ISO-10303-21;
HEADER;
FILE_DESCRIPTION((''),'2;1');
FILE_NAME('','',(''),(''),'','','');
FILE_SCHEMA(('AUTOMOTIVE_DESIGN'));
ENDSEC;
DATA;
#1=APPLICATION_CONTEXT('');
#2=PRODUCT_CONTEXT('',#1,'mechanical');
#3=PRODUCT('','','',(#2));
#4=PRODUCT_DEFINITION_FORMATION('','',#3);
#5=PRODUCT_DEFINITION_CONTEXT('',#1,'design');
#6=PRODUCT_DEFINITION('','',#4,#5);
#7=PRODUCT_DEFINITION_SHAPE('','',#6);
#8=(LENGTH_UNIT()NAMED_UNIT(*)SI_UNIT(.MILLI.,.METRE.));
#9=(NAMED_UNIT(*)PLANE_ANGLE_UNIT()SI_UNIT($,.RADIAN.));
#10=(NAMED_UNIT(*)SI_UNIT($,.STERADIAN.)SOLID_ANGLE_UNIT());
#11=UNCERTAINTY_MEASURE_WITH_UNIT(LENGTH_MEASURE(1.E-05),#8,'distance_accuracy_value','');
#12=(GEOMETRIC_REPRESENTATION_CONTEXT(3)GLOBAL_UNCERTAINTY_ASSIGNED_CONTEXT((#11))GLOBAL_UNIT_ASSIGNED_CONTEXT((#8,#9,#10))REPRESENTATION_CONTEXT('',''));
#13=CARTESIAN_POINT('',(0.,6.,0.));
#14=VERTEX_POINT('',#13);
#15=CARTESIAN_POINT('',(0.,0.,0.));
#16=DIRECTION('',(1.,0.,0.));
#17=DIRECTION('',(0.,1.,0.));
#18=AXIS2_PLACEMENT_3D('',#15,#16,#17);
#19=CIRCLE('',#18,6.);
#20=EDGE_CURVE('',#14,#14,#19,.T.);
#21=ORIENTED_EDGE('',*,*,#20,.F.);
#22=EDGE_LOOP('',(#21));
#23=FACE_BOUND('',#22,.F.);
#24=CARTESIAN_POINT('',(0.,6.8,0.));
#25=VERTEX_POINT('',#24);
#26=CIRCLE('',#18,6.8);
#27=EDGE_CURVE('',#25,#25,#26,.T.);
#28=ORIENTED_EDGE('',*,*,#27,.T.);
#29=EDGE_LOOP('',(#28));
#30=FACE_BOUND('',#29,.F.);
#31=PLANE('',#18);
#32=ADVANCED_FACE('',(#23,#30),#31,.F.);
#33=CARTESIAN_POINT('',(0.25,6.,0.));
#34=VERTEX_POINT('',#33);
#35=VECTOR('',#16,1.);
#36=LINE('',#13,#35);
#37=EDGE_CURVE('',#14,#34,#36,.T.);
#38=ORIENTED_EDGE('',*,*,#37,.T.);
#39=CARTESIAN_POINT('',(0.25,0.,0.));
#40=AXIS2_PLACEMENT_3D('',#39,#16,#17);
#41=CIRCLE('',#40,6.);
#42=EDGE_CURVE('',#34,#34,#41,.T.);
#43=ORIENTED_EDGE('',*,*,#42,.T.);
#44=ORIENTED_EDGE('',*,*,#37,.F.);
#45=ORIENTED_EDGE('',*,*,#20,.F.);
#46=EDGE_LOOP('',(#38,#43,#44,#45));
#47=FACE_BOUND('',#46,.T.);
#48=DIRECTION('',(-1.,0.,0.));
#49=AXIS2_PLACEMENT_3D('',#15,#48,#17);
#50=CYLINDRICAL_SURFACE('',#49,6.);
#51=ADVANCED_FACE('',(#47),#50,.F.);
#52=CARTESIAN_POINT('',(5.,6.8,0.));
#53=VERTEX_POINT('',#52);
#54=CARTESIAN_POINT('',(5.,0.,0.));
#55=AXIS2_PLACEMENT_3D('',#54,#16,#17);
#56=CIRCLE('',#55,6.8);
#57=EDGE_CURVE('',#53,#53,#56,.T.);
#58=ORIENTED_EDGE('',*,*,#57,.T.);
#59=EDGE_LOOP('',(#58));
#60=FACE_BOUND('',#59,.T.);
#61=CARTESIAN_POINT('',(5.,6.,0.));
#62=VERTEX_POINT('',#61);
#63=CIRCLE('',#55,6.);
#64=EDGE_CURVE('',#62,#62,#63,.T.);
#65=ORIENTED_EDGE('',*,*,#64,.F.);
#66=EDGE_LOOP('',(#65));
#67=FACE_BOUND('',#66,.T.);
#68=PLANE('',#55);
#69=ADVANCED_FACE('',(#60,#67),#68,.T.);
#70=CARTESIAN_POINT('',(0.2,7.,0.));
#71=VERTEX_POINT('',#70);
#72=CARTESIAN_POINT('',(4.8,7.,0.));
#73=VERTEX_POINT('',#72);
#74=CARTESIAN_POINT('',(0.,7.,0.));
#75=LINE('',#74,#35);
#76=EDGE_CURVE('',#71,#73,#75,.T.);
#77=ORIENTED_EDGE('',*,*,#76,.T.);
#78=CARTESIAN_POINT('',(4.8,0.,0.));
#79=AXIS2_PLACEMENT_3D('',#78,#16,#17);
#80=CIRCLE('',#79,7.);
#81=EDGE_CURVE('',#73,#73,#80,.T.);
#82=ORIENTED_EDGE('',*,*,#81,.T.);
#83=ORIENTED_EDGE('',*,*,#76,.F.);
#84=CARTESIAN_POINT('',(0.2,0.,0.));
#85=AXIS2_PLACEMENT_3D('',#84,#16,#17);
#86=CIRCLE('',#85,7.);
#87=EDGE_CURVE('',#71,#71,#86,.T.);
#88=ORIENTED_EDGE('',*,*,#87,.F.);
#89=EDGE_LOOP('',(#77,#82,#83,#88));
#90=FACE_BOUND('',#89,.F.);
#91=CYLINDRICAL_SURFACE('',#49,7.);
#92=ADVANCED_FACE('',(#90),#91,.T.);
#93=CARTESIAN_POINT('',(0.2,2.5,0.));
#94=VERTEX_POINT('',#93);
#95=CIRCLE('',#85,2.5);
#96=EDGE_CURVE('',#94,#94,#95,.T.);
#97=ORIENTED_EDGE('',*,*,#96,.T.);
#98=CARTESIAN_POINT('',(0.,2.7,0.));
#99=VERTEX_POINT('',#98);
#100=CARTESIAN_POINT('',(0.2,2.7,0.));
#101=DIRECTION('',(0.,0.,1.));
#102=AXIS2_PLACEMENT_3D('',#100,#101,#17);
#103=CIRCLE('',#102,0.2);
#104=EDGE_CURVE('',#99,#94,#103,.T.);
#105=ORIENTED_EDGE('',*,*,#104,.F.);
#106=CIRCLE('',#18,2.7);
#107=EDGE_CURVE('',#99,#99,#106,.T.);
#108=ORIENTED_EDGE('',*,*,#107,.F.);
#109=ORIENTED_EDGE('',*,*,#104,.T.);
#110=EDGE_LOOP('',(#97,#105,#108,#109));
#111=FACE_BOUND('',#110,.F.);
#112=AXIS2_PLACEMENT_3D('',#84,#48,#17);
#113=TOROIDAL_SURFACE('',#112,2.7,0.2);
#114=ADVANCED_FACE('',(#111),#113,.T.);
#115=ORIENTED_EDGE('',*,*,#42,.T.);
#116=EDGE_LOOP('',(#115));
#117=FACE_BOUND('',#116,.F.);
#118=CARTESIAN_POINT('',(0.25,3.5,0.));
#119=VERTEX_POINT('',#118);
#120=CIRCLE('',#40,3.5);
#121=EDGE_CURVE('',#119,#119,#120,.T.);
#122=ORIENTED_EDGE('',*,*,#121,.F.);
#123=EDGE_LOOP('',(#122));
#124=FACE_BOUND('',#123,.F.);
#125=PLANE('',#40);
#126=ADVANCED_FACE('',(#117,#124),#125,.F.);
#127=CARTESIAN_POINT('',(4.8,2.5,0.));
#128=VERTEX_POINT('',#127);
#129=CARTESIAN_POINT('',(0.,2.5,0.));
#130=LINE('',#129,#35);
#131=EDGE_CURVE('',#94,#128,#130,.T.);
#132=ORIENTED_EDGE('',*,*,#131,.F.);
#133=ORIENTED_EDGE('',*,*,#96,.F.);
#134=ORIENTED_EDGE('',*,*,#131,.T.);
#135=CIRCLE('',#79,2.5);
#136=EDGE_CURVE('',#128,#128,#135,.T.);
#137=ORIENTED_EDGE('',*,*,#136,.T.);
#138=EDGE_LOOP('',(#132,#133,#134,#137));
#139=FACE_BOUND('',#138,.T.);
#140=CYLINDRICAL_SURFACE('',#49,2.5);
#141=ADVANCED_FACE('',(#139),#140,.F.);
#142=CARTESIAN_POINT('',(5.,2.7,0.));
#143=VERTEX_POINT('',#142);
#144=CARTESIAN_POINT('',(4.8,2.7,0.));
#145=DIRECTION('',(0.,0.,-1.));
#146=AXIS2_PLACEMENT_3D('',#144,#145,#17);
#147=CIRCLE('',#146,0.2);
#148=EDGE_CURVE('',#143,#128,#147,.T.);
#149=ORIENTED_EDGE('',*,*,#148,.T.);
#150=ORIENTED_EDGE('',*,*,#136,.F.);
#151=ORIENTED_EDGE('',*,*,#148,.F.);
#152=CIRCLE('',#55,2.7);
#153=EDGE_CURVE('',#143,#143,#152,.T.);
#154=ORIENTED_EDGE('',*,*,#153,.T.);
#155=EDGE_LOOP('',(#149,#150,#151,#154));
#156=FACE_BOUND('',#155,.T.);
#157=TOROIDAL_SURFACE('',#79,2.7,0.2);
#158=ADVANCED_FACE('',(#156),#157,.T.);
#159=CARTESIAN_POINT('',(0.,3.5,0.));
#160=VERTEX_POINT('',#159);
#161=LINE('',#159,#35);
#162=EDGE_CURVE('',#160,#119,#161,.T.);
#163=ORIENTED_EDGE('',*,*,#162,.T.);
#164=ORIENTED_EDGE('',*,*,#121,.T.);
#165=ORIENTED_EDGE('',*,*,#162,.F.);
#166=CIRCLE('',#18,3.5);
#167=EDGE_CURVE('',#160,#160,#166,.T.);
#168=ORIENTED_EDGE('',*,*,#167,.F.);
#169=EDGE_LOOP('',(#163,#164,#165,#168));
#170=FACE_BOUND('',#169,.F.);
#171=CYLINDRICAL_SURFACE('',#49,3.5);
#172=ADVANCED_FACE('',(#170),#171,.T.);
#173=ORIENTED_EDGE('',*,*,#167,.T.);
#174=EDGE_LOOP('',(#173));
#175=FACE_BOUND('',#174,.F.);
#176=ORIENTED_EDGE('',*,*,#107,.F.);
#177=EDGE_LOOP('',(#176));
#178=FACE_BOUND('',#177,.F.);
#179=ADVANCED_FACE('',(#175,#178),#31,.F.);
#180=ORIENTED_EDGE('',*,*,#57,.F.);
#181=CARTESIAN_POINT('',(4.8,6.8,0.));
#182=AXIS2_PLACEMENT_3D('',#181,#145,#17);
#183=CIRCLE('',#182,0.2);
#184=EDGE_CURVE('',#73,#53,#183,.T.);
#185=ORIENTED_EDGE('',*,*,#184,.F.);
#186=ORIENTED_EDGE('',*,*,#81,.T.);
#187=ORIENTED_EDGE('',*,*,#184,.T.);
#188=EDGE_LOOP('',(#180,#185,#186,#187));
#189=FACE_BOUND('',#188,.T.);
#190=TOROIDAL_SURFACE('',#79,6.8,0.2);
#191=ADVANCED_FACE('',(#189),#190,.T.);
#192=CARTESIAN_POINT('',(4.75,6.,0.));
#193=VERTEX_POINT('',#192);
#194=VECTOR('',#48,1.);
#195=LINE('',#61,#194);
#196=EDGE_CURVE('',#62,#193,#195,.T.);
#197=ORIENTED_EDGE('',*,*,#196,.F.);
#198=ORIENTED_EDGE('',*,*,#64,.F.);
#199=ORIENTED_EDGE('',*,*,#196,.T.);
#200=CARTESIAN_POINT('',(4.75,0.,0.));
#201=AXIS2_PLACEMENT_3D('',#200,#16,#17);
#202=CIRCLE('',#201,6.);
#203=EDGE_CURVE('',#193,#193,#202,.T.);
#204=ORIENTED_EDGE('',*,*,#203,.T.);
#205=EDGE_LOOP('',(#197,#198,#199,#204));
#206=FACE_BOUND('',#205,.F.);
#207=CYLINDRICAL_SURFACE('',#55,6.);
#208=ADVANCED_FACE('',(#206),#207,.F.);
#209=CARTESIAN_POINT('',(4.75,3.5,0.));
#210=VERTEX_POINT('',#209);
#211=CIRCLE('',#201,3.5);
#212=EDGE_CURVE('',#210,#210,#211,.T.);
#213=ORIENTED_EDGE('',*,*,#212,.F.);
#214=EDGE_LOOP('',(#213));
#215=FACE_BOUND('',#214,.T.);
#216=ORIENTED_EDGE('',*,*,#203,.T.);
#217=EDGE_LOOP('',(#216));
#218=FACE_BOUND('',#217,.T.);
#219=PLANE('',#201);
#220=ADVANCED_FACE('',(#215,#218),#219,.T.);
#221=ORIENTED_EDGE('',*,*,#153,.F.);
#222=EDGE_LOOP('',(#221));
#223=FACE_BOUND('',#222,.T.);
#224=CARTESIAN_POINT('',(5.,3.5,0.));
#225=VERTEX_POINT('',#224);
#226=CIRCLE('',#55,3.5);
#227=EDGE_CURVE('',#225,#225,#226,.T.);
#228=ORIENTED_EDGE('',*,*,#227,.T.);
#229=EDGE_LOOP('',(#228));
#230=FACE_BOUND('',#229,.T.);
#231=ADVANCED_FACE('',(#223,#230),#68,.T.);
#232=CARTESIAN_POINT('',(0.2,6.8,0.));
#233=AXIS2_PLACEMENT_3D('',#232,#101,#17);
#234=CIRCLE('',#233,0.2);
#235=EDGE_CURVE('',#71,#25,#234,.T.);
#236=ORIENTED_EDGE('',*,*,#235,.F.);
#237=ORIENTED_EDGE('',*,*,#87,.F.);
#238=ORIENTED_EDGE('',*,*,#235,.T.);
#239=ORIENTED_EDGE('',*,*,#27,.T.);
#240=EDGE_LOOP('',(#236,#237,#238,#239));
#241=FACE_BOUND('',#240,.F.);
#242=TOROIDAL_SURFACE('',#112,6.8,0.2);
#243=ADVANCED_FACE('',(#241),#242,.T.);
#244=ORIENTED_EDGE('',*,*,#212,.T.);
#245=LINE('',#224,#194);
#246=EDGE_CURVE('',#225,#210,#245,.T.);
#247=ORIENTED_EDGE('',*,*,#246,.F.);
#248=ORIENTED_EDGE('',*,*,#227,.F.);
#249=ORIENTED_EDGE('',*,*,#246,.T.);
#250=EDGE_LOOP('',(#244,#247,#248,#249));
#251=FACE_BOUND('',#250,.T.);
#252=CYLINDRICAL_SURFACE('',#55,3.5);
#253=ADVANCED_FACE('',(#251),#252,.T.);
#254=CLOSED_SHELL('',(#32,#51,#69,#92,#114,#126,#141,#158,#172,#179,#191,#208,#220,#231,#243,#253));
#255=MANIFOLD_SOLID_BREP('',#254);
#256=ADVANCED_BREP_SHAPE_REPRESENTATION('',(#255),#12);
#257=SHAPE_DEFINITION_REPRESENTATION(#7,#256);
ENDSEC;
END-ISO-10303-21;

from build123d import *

# Parameters (mm, degrees)
F0_R     = 7
F0_R_2   = 2.5
F1_DEPTH = 5
F2_R     = 6
F2_R_2   = 3.5
F3_DEPTH = 0.25
F4_R     = 6
F4_R_2   = 3.5
F5_DEPTH = 0.25
F6_R     = 0.2


with BuildPart() as f1:
    # F0 (on Right) → F1 (new body)
    with BuildSketch(Plane.YZ):
        Circle(F0_R)
        Circle(F0_R_2, mode=Mode.SUBTRACT)
    extrude(amount=F1_DEPTH)

    # F2 (on Right) → F3 (cut)
    with BuildSketch(Plane.YZ):
        Circle(F2_R)
        Circle(F2_R_2, mode=Mode.SUBTRACT)
    extrude(amount=F3_DEPTH, mode=Mode.SUBTRACT)

    # F4 (on face) → F5 (cut)
    with BuildSketch(Plane.YZ.offset(5)):
        Circle(F4_R)
        Circle(F4_R_2, mode=Mode.SUBTRACT)
    extrude(amount=-F5_DEPTH, mode=Mode.SUBTRACT)

    # F6
    f6_edges = [f1.edges().sort_by_distance(p)[0] for p in [
        (2.5, 7, 0),
        (0, -7, 0),
        (5, -7, 0),
        (2.5, 2.5, 0),
        (0, -2.5, 0),
        (5, -2.5, 0),
    ]]
    fillet(f6_edges, radius=F6_R)


solid = f1.part
